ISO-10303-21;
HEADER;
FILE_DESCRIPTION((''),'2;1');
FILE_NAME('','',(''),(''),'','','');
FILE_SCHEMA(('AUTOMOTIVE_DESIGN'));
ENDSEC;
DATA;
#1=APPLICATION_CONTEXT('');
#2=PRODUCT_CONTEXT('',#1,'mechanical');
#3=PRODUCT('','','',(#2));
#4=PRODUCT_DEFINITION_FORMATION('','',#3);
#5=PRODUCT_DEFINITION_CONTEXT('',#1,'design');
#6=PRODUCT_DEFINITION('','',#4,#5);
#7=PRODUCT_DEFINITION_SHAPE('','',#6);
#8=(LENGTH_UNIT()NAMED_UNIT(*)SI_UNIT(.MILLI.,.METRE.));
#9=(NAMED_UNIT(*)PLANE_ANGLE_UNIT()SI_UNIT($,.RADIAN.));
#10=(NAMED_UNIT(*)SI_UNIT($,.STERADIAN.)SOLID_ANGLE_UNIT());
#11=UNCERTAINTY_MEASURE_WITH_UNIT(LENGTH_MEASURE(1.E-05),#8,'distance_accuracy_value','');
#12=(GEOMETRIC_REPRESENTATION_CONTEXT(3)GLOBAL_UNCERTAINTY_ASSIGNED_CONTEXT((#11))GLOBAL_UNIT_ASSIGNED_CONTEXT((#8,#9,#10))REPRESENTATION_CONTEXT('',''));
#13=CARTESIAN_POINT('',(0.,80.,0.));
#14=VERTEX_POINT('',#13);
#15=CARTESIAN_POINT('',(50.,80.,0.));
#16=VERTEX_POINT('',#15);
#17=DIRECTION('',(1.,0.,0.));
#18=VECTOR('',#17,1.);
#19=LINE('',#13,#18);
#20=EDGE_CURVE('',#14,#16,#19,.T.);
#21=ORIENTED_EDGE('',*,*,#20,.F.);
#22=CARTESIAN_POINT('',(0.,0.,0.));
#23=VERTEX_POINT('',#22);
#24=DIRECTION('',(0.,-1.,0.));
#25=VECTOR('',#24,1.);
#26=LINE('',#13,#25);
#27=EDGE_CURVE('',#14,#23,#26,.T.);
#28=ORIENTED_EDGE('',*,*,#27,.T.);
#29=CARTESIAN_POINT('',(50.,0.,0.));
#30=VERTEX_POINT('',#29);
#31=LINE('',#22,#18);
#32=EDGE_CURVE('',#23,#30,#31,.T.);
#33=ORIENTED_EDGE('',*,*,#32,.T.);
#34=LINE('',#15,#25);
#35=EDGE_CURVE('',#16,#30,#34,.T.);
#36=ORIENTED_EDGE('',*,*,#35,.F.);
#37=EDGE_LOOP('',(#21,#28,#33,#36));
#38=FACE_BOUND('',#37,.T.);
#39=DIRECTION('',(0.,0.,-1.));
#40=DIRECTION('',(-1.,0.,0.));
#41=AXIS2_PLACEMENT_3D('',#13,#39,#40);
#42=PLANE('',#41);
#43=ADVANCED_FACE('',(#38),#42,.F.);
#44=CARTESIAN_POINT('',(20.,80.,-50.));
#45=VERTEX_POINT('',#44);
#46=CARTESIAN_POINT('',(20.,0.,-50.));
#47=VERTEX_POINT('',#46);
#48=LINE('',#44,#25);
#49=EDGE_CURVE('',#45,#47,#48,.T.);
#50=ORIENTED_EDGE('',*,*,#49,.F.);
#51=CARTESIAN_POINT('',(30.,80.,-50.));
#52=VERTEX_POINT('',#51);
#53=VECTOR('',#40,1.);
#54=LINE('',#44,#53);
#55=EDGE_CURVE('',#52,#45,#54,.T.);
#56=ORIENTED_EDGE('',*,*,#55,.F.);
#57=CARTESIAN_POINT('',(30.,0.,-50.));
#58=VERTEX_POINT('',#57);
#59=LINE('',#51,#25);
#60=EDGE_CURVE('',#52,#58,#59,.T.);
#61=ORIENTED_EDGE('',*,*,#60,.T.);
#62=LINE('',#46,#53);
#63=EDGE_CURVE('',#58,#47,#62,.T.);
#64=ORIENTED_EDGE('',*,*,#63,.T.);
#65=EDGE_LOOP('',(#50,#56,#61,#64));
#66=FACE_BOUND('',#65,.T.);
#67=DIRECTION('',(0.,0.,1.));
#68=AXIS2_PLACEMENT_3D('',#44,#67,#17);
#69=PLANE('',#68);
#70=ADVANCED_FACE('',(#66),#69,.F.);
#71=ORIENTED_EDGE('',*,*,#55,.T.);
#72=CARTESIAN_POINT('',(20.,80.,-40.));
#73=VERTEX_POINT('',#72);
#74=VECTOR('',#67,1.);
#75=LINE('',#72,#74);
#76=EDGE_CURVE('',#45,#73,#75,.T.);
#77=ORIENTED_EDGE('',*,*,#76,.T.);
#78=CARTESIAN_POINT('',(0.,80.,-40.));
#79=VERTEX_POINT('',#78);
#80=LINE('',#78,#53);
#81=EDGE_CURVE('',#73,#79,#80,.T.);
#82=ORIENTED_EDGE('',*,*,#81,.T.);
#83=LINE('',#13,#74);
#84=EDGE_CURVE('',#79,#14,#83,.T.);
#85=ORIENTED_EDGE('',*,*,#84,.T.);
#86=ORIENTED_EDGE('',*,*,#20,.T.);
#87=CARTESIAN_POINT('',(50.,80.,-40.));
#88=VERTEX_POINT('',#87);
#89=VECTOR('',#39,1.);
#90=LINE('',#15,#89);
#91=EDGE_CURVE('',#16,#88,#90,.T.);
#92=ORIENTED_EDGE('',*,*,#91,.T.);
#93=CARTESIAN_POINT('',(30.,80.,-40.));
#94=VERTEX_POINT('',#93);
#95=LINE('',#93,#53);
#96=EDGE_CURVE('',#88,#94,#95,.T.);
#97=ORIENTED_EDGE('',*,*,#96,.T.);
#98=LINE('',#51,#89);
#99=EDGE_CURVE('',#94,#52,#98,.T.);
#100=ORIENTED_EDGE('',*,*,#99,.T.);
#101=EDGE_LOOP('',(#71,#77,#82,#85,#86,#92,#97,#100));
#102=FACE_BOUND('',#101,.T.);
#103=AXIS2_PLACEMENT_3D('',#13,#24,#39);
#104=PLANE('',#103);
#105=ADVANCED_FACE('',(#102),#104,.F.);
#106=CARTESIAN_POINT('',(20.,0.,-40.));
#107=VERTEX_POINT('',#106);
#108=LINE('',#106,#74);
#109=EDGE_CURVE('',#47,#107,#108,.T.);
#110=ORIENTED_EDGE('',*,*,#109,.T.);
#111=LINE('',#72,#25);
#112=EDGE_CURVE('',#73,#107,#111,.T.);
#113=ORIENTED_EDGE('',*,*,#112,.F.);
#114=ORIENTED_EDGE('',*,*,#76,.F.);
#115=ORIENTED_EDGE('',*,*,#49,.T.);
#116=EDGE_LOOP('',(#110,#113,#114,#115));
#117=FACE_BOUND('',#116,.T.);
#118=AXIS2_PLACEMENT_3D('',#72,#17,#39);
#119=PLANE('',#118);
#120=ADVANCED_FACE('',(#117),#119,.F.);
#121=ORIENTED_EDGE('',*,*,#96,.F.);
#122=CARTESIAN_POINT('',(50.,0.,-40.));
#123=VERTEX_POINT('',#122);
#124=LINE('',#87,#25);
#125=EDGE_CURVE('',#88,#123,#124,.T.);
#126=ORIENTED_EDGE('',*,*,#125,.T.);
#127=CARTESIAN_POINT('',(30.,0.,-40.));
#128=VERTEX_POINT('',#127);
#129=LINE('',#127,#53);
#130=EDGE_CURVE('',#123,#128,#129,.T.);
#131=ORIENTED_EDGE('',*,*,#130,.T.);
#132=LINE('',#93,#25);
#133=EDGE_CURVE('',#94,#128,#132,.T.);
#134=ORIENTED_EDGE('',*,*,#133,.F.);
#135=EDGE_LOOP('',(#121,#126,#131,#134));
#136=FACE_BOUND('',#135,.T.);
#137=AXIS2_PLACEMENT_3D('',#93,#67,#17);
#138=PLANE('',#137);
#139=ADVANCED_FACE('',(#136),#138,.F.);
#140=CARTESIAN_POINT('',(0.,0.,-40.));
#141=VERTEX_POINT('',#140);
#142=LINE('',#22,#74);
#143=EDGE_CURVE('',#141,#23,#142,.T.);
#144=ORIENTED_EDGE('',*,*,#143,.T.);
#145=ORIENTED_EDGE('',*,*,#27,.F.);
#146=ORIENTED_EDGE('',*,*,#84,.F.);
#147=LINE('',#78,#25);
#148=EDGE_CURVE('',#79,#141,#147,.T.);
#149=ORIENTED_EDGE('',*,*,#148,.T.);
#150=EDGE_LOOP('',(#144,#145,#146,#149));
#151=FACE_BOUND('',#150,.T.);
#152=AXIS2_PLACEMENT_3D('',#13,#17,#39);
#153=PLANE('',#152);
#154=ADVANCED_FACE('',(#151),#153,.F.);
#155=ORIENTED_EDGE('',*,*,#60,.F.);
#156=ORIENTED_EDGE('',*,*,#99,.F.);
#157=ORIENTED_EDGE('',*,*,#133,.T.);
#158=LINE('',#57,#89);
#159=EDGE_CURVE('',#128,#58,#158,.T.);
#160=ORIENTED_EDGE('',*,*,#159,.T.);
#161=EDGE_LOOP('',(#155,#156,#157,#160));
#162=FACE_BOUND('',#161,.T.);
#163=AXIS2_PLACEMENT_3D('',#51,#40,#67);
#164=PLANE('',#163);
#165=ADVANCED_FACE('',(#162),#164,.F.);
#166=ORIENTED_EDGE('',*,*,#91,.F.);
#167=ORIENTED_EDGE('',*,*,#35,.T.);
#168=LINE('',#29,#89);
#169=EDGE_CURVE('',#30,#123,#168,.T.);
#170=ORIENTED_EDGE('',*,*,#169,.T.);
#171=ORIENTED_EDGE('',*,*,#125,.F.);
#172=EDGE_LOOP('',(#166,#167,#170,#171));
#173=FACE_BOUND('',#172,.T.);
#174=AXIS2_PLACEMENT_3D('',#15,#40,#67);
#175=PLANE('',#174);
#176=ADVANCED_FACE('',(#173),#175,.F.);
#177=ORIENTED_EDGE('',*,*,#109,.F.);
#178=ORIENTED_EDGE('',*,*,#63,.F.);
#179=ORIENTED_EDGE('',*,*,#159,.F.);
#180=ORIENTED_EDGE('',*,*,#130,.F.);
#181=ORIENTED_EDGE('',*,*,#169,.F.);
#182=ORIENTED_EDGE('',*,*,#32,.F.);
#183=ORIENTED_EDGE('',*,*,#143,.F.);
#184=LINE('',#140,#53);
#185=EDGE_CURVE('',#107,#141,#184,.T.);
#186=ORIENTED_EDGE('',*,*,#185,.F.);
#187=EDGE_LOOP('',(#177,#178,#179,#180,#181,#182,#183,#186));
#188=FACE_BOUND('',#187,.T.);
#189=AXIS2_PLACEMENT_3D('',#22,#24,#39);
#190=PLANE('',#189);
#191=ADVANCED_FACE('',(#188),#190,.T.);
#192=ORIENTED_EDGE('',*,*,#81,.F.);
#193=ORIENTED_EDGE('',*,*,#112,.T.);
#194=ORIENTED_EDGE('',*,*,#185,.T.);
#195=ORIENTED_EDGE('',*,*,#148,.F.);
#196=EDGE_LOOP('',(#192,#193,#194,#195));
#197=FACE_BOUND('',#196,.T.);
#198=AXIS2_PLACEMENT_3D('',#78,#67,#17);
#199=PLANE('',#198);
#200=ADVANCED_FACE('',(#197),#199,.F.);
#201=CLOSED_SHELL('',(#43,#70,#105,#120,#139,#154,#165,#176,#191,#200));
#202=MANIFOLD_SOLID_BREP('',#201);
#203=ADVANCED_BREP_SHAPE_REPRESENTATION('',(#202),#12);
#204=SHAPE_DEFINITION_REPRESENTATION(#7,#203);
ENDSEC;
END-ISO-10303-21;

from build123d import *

# Parameters (mm, degrees)
BOSS_EXTRU_1_DEPTH = 80


with BuildPart() as part:
    # Esquisse1 → Boss.-Extru.1 (new body)
    with BuildSketch(Plane(origin=(0, 0, 0), x_dir=(1, 0, 0), z_dir=(0, 1, 0))):
        Polygon((0, 40), (20, 40), (20, 50), (30, 50), (30, 40), (50, 40), (50, 0), (0, 0), align=None)
    extrude(amount=BOSS_EXTRU_1_DEPTH)


solid = part.part
